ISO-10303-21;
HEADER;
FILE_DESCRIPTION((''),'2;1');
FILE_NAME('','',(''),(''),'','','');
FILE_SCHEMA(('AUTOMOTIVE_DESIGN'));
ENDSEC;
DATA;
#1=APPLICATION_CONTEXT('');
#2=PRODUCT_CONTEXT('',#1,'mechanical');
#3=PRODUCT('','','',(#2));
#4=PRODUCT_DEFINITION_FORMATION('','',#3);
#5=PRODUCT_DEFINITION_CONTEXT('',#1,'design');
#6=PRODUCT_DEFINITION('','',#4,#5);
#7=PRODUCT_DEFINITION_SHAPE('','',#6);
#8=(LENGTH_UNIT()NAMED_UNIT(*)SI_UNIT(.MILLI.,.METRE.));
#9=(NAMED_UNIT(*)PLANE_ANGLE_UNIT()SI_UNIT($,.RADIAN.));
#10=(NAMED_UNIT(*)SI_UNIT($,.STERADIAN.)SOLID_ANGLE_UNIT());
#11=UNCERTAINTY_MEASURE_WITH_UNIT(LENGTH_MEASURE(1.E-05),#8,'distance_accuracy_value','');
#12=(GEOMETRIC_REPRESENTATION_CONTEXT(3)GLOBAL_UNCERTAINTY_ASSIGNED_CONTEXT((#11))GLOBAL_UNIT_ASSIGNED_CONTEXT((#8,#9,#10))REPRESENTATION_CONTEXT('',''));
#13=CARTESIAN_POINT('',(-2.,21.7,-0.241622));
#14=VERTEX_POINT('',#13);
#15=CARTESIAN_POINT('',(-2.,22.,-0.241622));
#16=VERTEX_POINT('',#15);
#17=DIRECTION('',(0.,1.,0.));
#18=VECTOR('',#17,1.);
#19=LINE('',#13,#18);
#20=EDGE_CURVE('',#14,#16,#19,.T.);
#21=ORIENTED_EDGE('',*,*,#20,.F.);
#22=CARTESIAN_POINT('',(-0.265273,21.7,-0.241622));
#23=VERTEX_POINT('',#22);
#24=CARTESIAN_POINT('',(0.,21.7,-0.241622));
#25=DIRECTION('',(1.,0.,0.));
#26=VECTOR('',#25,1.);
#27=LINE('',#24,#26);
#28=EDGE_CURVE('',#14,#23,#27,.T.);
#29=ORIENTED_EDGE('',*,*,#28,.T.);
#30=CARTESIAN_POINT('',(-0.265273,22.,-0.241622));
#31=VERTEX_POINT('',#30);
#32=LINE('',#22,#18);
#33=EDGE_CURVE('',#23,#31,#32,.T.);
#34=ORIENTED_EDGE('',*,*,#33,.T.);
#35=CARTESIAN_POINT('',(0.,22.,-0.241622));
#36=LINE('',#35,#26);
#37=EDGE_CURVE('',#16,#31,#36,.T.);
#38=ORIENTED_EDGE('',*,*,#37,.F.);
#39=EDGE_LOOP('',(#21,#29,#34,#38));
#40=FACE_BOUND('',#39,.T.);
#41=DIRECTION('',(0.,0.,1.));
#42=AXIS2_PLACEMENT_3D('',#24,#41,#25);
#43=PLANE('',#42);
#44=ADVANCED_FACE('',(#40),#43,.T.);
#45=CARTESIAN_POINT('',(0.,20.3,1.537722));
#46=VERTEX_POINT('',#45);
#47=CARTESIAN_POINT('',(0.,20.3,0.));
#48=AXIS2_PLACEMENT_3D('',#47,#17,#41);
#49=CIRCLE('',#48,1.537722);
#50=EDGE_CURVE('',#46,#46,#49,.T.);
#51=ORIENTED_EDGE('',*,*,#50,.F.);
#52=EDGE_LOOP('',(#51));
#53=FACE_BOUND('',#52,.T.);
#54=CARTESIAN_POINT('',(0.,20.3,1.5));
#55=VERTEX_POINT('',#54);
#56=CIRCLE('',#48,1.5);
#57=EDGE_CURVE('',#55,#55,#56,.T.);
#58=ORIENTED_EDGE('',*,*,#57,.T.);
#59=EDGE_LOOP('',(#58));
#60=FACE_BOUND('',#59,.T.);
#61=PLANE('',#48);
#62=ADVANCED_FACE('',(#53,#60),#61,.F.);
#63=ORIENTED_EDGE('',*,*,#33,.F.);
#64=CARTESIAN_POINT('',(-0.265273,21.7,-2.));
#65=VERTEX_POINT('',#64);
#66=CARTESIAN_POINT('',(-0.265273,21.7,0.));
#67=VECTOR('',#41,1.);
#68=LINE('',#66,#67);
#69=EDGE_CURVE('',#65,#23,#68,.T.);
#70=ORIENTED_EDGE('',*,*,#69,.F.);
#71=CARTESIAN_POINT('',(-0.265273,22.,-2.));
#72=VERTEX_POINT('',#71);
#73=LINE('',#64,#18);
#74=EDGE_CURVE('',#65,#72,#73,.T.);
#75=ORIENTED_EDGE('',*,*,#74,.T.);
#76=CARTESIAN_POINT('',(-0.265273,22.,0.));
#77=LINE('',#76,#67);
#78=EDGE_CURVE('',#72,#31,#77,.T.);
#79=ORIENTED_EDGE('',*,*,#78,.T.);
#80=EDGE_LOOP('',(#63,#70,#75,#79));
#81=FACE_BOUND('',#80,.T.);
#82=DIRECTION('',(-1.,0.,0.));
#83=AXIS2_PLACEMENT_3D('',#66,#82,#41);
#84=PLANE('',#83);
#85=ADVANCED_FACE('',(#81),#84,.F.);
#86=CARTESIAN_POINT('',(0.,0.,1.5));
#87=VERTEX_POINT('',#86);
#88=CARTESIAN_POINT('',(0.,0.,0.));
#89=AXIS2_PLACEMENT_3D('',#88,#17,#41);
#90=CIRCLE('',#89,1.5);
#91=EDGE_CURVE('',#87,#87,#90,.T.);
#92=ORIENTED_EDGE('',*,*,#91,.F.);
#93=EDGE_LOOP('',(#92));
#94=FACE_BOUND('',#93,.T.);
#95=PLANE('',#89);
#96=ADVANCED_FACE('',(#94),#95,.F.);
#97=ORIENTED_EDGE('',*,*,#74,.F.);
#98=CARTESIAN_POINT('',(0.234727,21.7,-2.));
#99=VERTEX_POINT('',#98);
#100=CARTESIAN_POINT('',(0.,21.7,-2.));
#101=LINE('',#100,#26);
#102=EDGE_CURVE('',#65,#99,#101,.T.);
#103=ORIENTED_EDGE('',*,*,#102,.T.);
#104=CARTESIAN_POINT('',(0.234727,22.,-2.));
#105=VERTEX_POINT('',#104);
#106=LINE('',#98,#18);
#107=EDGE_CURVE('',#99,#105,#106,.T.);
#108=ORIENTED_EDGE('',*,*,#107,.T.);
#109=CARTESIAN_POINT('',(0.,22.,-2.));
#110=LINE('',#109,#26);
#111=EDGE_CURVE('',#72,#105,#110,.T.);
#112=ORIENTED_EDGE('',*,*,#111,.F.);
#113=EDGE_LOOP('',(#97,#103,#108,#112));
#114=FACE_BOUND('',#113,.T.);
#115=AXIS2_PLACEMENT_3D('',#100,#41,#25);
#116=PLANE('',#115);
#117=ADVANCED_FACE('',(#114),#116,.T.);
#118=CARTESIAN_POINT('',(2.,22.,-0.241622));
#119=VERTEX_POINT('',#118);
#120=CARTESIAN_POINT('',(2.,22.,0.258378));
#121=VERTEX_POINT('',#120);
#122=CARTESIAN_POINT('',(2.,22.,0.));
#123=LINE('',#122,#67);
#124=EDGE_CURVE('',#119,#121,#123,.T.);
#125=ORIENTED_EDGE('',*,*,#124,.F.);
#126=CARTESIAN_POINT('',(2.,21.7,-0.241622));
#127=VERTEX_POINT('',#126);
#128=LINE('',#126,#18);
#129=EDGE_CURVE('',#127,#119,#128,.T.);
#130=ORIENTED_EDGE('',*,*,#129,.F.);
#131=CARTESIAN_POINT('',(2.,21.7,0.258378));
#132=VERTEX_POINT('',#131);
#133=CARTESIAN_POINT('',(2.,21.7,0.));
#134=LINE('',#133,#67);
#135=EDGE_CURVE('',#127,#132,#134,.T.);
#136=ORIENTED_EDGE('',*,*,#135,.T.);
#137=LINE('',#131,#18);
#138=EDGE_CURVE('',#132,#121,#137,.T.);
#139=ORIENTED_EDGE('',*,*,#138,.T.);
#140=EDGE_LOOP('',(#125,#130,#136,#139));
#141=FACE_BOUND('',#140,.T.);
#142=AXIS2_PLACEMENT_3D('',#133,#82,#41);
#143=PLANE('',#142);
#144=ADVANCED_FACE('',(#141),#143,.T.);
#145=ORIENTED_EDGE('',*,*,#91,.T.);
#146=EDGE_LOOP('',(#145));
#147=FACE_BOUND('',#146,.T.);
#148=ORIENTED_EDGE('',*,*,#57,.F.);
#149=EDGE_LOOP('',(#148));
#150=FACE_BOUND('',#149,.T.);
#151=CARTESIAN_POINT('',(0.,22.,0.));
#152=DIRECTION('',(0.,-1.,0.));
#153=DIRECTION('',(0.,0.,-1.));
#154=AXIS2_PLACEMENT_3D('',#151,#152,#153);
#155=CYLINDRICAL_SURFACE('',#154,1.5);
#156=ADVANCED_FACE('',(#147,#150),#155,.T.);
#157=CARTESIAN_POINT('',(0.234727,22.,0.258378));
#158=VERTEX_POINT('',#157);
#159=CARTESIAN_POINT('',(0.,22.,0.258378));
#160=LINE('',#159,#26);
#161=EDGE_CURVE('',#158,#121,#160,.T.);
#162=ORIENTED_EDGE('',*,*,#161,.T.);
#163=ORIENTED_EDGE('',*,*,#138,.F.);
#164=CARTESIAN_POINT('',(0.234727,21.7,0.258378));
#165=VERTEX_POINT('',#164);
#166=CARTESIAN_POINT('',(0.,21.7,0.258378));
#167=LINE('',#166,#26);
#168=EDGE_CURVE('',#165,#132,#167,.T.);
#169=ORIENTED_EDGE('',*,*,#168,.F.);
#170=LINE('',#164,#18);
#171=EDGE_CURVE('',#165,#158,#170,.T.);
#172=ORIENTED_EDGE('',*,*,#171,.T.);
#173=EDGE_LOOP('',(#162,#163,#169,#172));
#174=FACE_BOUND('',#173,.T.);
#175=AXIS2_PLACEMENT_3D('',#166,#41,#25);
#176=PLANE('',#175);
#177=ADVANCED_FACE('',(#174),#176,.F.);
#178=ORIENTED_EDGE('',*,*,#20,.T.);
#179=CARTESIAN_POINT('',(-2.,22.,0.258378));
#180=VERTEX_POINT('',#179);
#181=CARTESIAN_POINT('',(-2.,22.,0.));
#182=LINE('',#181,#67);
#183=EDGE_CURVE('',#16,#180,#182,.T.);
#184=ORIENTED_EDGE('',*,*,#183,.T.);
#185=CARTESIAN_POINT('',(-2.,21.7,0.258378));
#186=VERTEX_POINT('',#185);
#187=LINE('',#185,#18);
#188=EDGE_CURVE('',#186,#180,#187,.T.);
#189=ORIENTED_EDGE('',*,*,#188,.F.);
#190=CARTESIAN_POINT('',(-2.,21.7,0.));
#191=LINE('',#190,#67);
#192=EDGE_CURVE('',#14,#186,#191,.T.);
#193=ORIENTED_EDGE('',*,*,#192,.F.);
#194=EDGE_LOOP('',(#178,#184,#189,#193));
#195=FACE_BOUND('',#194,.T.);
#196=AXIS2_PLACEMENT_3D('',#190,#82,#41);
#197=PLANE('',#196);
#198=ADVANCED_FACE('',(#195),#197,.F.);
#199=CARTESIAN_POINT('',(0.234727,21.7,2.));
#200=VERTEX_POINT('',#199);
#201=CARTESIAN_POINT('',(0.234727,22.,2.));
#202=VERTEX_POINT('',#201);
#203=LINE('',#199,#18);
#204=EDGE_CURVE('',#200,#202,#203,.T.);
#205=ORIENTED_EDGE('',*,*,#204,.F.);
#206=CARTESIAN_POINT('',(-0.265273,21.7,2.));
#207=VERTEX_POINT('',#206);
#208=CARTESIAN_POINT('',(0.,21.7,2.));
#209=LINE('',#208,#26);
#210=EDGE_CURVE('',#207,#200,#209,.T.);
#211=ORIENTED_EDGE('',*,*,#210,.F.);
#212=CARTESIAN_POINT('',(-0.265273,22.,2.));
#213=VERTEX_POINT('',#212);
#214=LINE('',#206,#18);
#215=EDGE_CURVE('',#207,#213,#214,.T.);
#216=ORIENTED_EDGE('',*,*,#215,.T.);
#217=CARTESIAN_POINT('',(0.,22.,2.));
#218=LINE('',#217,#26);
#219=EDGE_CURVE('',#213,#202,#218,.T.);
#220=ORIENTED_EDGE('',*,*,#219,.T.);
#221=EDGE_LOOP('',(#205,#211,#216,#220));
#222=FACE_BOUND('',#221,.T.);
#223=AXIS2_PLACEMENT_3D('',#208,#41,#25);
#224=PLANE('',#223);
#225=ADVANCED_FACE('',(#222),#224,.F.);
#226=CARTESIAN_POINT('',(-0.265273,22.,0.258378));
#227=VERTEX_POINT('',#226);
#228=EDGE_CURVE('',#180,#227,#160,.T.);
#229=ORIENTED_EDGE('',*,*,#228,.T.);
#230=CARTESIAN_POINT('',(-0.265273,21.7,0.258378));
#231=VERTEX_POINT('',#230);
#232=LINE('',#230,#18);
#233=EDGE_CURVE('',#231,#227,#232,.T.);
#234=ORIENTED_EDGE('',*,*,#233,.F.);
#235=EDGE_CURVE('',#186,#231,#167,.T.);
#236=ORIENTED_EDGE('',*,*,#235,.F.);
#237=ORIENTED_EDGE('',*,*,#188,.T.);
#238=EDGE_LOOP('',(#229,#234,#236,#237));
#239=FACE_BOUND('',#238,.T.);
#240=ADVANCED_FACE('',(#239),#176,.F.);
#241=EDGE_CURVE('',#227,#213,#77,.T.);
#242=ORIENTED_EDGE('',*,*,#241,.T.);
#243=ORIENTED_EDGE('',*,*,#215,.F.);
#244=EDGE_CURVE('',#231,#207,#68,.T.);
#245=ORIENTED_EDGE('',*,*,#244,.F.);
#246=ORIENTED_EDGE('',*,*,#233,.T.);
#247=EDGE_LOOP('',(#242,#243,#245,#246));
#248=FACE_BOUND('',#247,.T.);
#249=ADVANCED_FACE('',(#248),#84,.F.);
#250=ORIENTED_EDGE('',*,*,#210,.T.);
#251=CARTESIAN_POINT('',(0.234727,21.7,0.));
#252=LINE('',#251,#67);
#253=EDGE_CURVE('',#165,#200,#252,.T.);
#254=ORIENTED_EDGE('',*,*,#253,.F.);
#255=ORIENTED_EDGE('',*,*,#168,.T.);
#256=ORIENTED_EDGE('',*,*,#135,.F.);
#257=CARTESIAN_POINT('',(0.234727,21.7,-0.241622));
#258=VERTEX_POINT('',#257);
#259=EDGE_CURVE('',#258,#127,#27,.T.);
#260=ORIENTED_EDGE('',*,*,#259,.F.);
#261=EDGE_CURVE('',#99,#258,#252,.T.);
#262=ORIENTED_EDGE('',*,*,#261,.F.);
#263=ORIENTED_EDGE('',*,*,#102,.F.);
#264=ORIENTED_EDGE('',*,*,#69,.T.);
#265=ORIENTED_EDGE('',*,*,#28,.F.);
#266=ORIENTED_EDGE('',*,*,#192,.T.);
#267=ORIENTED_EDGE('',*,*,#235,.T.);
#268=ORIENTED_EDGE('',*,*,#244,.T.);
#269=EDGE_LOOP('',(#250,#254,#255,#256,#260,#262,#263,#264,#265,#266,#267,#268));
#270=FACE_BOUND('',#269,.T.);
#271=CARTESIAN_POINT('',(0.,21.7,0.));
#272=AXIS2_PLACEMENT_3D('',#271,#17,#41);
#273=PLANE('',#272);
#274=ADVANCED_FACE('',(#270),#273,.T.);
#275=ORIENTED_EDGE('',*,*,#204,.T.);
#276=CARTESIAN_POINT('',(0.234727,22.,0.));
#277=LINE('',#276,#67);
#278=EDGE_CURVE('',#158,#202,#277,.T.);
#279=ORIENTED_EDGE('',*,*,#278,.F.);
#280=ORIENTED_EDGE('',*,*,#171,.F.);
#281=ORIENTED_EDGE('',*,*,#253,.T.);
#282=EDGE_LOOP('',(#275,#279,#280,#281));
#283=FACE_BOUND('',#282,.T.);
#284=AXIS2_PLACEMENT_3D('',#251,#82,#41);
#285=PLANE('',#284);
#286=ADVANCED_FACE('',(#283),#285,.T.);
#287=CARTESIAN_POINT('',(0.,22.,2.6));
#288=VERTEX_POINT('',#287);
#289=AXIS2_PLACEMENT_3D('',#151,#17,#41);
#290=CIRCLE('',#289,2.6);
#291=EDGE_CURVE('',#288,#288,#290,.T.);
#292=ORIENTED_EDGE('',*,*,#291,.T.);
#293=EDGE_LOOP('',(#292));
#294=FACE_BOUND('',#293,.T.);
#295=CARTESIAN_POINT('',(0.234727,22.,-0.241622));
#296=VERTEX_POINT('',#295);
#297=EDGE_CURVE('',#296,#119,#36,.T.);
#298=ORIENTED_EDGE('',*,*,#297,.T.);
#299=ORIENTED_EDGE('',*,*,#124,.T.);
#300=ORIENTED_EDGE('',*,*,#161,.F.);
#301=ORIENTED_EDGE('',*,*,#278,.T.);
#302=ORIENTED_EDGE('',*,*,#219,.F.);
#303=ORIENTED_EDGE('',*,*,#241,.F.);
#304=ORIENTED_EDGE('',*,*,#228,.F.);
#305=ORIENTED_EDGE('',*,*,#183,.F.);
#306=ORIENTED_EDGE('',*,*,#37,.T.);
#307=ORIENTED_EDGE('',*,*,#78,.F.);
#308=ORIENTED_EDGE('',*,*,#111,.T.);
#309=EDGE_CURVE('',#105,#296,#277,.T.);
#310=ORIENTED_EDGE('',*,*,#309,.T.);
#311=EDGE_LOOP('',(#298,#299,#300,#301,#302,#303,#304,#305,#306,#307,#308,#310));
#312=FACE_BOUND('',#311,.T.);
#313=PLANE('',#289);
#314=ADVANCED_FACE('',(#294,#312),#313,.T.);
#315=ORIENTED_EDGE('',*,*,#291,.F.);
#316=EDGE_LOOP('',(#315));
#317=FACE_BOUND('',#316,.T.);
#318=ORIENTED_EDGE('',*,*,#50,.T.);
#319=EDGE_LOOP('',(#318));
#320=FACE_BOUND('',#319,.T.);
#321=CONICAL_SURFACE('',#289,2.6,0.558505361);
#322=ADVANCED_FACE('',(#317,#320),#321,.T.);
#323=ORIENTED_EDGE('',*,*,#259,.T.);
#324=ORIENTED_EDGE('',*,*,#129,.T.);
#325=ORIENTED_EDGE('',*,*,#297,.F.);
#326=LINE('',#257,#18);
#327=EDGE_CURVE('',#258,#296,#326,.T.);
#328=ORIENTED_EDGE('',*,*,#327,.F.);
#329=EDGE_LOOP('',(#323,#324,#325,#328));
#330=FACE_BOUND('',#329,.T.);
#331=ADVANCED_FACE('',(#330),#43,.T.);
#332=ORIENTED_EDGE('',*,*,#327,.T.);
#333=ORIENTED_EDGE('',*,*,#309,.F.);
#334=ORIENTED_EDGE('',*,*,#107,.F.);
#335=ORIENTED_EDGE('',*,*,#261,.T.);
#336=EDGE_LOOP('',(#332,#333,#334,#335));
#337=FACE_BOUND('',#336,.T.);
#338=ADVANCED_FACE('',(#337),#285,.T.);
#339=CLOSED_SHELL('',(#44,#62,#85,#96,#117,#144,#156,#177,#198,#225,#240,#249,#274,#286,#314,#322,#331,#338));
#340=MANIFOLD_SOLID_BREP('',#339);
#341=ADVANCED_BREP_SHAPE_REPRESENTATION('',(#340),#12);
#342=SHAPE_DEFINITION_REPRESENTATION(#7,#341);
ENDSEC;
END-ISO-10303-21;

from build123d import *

# Parameters (mm, degrees)
SKETCH1_R           = 1.5
BOSS_EXTRUDE1_DEPTH = 22
SKETCH2_R           = 2.6
BOSS_EXTRUDE2_DEPTH = 1.7
BOSS_EXTRUDE2_TAPER = 32
SKETCH3_W           = 0.5
SKETCH3_H           = 1.758378485
SKETCH3_H_2         = 1.741621515
SKETCH3_W_2         = 1.734727157
SKETCH3_H_3         = 0.5
SKETCH3_W_3         = 1.765272843
CUT_EXTRUDE1_DEPTH  = 0.3


with BuildPart() as part:
    # Sketch1 → Boss-Extrude1 (new body)
    with BuildSketch(Plane(origin=(0, 0, 0), x_dir=(1, 0, 0), z_dir=(0, 1, 0))):
        Circle(SKETCH1_R)
    extrude(amount=BOSS_EXTRUDE1_DEPTH)

    # Sketch2 → Boss-Extrude2 (add)
    with BuildSketch(Plane(origin=(0, 22, 0), x_dir=(1, 0, 0), z_dir=(0, 1, 0))):
        Circle(SKETCH2_R)
    extrude(amount=-BOSS_EXTRUDE2_DEPTH, taper=BOSS_EXTRUDE2_TAPER)

    # Sketch3 → Cut-Extrude1 (cut)
    with BuildSketch(Plane(origin=(0, 22, 0), x_dir=(1, 0, 0), z_dir=(0, 1, 0))):
        with Locations((-0.015272843, 1.120810757)):
            Rectangle(SKETCH3_W, SKETCH3_H)
        with Locations((-0.015272843, -1.129189243)):
            Rectangle(SKETCH3_W, SKETCH3_H_2)
        with Locations((-1.132636421, -0.008378485)):
            Rectangle(SKETCH3_W_2, SKETCH3_H_3)
        with Locations((1.117363579, -0.008378485)):
            Rectangle(SKETCH3_W_3, SKETCH3_H_3)
        with Locations((-0.015272843, -0.008378485)):
            Rectangle(SKETCH3_W, SKETCH3_H_3)
    extrude(amount=-CUT_EXTRUDE1_DEPTH, mode=Mode.SUBTRACT)


solid = part.part
